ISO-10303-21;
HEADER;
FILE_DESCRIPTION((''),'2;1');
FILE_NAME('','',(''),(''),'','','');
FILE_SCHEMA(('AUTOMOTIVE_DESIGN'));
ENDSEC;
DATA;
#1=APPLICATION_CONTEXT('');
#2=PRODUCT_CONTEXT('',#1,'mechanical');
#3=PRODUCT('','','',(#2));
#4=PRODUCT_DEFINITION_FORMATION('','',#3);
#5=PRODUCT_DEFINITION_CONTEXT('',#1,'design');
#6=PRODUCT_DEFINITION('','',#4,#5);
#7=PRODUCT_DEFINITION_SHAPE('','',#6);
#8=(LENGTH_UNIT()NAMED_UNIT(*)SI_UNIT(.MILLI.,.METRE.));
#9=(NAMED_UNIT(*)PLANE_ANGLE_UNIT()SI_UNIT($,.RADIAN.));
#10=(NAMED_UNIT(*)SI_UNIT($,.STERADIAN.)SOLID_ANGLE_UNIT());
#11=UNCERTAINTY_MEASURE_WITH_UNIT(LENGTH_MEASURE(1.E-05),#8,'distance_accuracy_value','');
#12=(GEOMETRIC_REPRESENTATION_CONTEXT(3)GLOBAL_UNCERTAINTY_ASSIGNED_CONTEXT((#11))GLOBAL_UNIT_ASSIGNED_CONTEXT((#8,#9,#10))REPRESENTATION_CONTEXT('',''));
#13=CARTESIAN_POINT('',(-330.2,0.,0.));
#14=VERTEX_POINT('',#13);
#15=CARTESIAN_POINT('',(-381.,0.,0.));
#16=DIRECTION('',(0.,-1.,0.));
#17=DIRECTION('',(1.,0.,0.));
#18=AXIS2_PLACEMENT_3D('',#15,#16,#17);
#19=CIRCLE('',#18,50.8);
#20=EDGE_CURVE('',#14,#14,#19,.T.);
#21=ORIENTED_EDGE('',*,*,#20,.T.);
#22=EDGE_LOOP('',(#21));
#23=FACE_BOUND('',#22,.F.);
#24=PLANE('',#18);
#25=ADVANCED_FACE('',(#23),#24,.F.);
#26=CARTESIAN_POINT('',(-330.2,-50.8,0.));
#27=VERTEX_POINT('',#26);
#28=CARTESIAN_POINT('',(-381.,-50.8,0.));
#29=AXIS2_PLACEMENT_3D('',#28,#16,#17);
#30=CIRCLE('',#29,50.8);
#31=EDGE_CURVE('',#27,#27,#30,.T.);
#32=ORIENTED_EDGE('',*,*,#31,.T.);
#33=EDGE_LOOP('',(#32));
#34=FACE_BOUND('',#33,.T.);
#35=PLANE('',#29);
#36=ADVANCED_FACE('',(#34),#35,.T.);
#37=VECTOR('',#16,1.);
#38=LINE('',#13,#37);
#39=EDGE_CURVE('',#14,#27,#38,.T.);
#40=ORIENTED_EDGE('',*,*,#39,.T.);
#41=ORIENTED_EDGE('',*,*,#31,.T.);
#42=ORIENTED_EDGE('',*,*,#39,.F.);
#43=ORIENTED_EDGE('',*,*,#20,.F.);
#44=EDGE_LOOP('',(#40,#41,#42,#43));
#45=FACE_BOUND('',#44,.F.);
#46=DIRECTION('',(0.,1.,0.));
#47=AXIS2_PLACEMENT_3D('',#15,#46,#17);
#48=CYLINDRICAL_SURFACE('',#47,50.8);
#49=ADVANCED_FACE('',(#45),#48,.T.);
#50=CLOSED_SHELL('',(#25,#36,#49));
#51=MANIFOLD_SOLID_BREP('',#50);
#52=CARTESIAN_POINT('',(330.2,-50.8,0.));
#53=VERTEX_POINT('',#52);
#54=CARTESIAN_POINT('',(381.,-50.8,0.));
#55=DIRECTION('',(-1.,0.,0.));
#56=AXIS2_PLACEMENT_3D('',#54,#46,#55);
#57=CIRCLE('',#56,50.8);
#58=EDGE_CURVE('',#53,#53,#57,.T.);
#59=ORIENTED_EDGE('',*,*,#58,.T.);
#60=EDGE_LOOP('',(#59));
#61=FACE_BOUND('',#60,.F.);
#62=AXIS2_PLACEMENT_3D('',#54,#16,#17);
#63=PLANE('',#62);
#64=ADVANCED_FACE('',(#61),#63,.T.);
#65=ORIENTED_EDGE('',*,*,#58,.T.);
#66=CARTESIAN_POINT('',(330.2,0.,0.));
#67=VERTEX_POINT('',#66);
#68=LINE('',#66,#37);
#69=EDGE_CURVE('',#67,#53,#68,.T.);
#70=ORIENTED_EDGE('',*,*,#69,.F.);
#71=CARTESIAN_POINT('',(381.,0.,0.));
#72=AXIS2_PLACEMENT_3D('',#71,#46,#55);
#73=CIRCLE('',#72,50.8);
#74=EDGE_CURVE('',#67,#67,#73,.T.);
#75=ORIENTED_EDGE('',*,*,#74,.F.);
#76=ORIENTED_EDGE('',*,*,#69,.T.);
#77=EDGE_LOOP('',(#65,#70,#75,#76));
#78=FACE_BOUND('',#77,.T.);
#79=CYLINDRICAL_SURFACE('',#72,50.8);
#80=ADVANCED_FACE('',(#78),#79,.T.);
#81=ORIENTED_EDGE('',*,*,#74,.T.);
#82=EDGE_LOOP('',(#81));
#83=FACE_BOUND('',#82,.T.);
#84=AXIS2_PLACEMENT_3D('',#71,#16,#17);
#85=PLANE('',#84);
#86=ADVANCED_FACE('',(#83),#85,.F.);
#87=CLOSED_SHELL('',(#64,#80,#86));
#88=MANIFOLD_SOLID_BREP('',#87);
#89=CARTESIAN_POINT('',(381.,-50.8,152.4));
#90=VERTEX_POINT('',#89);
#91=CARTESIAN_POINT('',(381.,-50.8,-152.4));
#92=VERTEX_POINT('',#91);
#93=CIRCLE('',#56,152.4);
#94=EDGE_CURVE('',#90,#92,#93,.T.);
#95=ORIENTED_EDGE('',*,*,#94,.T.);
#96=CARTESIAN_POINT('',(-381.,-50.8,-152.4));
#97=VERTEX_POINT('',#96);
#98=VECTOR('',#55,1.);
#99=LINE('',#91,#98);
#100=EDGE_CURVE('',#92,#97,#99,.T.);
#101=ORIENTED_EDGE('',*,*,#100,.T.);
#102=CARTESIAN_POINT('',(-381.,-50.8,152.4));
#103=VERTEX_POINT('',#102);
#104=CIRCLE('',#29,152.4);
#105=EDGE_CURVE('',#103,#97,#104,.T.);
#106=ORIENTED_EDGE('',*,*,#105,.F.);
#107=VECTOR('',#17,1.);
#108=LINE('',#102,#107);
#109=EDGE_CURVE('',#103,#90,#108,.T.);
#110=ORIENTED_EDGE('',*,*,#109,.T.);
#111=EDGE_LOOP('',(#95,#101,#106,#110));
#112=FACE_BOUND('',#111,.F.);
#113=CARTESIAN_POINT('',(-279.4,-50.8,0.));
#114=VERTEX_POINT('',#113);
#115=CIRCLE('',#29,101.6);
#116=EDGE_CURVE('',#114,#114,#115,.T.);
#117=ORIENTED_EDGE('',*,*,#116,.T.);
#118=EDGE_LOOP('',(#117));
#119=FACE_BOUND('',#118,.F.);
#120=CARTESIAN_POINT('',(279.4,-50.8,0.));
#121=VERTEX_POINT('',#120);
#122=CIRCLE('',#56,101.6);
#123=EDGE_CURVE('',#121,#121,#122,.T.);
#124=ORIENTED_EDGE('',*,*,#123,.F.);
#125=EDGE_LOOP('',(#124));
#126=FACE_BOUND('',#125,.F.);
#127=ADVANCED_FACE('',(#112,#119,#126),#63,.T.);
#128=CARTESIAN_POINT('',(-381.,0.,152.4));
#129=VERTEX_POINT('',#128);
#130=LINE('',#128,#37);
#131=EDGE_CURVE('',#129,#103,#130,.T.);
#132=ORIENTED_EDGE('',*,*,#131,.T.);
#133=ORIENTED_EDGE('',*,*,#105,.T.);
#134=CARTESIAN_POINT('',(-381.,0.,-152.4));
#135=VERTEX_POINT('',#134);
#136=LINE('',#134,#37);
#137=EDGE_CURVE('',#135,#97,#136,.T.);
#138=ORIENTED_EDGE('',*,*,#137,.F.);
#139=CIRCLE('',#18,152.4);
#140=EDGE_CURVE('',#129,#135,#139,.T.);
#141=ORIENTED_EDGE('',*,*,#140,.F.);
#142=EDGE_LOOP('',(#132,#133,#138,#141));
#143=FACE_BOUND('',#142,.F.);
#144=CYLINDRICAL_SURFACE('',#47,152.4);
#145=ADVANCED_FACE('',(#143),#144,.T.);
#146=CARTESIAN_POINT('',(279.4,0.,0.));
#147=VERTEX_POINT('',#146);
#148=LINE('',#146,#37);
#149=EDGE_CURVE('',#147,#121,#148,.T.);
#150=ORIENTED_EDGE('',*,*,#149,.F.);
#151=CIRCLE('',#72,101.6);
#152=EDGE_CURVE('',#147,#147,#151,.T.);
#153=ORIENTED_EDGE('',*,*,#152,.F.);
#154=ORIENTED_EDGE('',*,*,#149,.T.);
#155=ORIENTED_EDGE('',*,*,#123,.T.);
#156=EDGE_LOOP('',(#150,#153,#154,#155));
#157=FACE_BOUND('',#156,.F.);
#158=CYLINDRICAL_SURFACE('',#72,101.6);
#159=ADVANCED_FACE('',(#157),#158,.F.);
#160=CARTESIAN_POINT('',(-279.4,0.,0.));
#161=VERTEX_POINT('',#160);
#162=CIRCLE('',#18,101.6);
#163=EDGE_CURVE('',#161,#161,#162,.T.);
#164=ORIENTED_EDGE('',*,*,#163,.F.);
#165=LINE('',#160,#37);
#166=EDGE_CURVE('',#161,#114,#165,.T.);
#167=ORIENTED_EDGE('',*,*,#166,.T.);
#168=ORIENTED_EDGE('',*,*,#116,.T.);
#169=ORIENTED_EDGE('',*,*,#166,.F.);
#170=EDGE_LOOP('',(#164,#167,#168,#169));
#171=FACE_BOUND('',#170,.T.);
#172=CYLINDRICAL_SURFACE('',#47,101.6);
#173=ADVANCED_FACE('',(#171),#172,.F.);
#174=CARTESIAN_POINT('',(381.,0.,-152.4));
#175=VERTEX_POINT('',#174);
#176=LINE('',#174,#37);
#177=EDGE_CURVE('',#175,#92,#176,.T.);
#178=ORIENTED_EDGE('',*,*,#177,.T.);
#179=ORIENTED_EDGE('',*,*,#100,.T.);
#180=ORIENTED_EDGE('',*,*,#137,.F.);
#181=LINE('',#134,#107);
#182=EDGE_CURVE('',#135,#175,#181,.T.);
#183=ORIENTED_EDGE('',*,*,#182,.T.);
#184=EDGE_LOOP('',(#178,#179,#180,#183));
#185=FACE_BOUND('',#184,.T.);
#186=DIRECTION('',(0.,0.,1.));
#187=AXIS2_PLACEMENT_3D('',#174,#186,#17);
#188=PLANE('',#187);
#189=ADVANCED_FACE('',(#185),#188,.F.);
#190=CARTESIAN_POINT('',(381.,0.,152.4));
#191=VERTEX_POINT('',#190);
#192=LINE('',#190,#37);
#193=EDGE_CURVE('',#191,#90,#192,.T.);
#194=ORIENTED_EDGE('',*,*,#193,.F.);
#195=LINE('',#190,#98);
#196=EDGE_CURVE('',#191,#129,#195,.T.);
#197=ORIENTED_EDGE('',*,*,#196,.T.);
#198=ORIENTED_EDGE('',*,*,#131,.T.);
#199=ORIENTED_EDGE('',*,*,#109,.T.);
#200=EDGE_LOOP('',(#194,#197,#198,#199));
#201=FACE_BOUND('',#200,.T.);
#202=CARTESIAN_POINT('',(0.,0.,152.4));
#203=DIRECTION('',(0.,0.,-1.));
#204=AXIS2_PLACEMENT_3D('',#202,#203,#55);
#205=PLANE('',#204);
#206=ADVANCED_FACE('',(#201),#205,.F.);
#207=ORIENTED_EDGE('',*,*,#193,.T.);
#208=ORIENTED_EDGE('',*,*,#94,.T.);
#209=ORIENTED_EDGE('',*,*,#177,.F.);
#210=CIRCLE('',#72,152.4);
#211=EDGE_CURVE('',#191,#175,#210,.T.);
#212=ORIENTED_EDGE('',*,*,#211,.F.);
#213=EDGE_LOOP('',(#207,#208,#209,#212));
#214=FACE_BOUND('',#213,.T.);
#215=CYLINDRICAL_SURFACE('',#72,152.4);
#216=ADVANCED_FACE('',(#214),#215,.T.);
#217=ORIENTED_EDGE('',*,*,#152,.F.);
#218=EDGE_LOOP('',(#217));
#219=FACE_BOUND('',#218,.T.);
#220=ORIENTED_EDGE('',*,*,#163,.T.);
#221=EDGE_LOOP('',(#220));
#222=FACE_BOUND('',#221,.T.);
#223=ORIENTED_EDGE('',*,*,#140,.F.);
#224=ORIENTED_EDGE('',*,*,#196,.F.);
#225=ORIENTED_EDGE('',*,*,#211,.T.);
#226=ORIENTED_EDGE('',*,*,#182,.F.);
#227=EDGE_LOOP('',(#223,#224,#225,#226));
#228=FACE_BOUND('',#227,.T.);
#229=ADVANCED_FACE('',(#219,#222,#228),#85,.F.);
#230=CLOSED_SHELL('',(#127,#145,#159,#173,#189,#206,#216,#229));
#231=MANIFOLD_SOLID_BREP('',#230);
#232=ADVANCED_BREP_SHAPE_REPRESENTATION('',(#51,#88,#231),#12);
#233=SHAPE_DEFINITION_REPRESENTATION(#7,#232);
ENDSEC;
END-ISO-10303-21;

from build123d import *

# Parameters (mm, degrees)
F0_R     = 50.8
F1_DEPTH = 50.8
F0_R_2   = 101.6


with BuildPart() as f1:
    # F0 (on Front) → F1 (new body)
    with BuildSketch(Plane.XZ):
        with Locations((-381, 0)):
            Circle(F0_R)
    extrude(amount=F1_DEPTH)


with BuildPart() as f1b:
    # F0 (on Front) → F1, piece 2 (new body)
    with BuildSketch(Plane.XZ):
        with BuildLine():
            ThreePointArc((-381, -152.4), (-273.2369265472, -107.7630734528), (-228.6, 0))
            ThreePointArc((-228.6, 0), (-273.2369265472, 107.7630734528), (-381, 152.4))
            ThreePointArc((-381, 152.4), (-533.4, 0), (-381, -152.4))
        make_face()
        with Locations((-381, 0)):
            Circle(F0_R_2, mode=Mode.SUBTRACT)
        with BuildLine():
            ThreePointArc((-381, 152.4), (-273.2369265472, 107.7630734528), (-228.6, 0))
            ThreePointArc((-228.6, 0), (-273.2369265472, -107.7630734528), (-381, -152.4))
            Line((-381, -152.4), (0, -152.4))
            Line((0, -152.4), (0, 152.4))
            Line((0, 152.4), (-381, 152.4))
        make_face()
    extrude(amount=F1_DEPTH)

    # F2: F1b, F1 across face


with BuildPart() as f1b_1:
    add(f1b.part)
    add(f1b.part.mirror(Plane(origin=(0, -25.4, 0), x_dir=(0, 1, 0), z_dir=(1, 0, 0))))
    add(f1.part.mirror(Plane(origin=(0, -25.4, 0), x_dir=(0, 1, 0), z_dir=(1, 0, 0))))


solid = Compound([f1.part, f1b_1.part])
